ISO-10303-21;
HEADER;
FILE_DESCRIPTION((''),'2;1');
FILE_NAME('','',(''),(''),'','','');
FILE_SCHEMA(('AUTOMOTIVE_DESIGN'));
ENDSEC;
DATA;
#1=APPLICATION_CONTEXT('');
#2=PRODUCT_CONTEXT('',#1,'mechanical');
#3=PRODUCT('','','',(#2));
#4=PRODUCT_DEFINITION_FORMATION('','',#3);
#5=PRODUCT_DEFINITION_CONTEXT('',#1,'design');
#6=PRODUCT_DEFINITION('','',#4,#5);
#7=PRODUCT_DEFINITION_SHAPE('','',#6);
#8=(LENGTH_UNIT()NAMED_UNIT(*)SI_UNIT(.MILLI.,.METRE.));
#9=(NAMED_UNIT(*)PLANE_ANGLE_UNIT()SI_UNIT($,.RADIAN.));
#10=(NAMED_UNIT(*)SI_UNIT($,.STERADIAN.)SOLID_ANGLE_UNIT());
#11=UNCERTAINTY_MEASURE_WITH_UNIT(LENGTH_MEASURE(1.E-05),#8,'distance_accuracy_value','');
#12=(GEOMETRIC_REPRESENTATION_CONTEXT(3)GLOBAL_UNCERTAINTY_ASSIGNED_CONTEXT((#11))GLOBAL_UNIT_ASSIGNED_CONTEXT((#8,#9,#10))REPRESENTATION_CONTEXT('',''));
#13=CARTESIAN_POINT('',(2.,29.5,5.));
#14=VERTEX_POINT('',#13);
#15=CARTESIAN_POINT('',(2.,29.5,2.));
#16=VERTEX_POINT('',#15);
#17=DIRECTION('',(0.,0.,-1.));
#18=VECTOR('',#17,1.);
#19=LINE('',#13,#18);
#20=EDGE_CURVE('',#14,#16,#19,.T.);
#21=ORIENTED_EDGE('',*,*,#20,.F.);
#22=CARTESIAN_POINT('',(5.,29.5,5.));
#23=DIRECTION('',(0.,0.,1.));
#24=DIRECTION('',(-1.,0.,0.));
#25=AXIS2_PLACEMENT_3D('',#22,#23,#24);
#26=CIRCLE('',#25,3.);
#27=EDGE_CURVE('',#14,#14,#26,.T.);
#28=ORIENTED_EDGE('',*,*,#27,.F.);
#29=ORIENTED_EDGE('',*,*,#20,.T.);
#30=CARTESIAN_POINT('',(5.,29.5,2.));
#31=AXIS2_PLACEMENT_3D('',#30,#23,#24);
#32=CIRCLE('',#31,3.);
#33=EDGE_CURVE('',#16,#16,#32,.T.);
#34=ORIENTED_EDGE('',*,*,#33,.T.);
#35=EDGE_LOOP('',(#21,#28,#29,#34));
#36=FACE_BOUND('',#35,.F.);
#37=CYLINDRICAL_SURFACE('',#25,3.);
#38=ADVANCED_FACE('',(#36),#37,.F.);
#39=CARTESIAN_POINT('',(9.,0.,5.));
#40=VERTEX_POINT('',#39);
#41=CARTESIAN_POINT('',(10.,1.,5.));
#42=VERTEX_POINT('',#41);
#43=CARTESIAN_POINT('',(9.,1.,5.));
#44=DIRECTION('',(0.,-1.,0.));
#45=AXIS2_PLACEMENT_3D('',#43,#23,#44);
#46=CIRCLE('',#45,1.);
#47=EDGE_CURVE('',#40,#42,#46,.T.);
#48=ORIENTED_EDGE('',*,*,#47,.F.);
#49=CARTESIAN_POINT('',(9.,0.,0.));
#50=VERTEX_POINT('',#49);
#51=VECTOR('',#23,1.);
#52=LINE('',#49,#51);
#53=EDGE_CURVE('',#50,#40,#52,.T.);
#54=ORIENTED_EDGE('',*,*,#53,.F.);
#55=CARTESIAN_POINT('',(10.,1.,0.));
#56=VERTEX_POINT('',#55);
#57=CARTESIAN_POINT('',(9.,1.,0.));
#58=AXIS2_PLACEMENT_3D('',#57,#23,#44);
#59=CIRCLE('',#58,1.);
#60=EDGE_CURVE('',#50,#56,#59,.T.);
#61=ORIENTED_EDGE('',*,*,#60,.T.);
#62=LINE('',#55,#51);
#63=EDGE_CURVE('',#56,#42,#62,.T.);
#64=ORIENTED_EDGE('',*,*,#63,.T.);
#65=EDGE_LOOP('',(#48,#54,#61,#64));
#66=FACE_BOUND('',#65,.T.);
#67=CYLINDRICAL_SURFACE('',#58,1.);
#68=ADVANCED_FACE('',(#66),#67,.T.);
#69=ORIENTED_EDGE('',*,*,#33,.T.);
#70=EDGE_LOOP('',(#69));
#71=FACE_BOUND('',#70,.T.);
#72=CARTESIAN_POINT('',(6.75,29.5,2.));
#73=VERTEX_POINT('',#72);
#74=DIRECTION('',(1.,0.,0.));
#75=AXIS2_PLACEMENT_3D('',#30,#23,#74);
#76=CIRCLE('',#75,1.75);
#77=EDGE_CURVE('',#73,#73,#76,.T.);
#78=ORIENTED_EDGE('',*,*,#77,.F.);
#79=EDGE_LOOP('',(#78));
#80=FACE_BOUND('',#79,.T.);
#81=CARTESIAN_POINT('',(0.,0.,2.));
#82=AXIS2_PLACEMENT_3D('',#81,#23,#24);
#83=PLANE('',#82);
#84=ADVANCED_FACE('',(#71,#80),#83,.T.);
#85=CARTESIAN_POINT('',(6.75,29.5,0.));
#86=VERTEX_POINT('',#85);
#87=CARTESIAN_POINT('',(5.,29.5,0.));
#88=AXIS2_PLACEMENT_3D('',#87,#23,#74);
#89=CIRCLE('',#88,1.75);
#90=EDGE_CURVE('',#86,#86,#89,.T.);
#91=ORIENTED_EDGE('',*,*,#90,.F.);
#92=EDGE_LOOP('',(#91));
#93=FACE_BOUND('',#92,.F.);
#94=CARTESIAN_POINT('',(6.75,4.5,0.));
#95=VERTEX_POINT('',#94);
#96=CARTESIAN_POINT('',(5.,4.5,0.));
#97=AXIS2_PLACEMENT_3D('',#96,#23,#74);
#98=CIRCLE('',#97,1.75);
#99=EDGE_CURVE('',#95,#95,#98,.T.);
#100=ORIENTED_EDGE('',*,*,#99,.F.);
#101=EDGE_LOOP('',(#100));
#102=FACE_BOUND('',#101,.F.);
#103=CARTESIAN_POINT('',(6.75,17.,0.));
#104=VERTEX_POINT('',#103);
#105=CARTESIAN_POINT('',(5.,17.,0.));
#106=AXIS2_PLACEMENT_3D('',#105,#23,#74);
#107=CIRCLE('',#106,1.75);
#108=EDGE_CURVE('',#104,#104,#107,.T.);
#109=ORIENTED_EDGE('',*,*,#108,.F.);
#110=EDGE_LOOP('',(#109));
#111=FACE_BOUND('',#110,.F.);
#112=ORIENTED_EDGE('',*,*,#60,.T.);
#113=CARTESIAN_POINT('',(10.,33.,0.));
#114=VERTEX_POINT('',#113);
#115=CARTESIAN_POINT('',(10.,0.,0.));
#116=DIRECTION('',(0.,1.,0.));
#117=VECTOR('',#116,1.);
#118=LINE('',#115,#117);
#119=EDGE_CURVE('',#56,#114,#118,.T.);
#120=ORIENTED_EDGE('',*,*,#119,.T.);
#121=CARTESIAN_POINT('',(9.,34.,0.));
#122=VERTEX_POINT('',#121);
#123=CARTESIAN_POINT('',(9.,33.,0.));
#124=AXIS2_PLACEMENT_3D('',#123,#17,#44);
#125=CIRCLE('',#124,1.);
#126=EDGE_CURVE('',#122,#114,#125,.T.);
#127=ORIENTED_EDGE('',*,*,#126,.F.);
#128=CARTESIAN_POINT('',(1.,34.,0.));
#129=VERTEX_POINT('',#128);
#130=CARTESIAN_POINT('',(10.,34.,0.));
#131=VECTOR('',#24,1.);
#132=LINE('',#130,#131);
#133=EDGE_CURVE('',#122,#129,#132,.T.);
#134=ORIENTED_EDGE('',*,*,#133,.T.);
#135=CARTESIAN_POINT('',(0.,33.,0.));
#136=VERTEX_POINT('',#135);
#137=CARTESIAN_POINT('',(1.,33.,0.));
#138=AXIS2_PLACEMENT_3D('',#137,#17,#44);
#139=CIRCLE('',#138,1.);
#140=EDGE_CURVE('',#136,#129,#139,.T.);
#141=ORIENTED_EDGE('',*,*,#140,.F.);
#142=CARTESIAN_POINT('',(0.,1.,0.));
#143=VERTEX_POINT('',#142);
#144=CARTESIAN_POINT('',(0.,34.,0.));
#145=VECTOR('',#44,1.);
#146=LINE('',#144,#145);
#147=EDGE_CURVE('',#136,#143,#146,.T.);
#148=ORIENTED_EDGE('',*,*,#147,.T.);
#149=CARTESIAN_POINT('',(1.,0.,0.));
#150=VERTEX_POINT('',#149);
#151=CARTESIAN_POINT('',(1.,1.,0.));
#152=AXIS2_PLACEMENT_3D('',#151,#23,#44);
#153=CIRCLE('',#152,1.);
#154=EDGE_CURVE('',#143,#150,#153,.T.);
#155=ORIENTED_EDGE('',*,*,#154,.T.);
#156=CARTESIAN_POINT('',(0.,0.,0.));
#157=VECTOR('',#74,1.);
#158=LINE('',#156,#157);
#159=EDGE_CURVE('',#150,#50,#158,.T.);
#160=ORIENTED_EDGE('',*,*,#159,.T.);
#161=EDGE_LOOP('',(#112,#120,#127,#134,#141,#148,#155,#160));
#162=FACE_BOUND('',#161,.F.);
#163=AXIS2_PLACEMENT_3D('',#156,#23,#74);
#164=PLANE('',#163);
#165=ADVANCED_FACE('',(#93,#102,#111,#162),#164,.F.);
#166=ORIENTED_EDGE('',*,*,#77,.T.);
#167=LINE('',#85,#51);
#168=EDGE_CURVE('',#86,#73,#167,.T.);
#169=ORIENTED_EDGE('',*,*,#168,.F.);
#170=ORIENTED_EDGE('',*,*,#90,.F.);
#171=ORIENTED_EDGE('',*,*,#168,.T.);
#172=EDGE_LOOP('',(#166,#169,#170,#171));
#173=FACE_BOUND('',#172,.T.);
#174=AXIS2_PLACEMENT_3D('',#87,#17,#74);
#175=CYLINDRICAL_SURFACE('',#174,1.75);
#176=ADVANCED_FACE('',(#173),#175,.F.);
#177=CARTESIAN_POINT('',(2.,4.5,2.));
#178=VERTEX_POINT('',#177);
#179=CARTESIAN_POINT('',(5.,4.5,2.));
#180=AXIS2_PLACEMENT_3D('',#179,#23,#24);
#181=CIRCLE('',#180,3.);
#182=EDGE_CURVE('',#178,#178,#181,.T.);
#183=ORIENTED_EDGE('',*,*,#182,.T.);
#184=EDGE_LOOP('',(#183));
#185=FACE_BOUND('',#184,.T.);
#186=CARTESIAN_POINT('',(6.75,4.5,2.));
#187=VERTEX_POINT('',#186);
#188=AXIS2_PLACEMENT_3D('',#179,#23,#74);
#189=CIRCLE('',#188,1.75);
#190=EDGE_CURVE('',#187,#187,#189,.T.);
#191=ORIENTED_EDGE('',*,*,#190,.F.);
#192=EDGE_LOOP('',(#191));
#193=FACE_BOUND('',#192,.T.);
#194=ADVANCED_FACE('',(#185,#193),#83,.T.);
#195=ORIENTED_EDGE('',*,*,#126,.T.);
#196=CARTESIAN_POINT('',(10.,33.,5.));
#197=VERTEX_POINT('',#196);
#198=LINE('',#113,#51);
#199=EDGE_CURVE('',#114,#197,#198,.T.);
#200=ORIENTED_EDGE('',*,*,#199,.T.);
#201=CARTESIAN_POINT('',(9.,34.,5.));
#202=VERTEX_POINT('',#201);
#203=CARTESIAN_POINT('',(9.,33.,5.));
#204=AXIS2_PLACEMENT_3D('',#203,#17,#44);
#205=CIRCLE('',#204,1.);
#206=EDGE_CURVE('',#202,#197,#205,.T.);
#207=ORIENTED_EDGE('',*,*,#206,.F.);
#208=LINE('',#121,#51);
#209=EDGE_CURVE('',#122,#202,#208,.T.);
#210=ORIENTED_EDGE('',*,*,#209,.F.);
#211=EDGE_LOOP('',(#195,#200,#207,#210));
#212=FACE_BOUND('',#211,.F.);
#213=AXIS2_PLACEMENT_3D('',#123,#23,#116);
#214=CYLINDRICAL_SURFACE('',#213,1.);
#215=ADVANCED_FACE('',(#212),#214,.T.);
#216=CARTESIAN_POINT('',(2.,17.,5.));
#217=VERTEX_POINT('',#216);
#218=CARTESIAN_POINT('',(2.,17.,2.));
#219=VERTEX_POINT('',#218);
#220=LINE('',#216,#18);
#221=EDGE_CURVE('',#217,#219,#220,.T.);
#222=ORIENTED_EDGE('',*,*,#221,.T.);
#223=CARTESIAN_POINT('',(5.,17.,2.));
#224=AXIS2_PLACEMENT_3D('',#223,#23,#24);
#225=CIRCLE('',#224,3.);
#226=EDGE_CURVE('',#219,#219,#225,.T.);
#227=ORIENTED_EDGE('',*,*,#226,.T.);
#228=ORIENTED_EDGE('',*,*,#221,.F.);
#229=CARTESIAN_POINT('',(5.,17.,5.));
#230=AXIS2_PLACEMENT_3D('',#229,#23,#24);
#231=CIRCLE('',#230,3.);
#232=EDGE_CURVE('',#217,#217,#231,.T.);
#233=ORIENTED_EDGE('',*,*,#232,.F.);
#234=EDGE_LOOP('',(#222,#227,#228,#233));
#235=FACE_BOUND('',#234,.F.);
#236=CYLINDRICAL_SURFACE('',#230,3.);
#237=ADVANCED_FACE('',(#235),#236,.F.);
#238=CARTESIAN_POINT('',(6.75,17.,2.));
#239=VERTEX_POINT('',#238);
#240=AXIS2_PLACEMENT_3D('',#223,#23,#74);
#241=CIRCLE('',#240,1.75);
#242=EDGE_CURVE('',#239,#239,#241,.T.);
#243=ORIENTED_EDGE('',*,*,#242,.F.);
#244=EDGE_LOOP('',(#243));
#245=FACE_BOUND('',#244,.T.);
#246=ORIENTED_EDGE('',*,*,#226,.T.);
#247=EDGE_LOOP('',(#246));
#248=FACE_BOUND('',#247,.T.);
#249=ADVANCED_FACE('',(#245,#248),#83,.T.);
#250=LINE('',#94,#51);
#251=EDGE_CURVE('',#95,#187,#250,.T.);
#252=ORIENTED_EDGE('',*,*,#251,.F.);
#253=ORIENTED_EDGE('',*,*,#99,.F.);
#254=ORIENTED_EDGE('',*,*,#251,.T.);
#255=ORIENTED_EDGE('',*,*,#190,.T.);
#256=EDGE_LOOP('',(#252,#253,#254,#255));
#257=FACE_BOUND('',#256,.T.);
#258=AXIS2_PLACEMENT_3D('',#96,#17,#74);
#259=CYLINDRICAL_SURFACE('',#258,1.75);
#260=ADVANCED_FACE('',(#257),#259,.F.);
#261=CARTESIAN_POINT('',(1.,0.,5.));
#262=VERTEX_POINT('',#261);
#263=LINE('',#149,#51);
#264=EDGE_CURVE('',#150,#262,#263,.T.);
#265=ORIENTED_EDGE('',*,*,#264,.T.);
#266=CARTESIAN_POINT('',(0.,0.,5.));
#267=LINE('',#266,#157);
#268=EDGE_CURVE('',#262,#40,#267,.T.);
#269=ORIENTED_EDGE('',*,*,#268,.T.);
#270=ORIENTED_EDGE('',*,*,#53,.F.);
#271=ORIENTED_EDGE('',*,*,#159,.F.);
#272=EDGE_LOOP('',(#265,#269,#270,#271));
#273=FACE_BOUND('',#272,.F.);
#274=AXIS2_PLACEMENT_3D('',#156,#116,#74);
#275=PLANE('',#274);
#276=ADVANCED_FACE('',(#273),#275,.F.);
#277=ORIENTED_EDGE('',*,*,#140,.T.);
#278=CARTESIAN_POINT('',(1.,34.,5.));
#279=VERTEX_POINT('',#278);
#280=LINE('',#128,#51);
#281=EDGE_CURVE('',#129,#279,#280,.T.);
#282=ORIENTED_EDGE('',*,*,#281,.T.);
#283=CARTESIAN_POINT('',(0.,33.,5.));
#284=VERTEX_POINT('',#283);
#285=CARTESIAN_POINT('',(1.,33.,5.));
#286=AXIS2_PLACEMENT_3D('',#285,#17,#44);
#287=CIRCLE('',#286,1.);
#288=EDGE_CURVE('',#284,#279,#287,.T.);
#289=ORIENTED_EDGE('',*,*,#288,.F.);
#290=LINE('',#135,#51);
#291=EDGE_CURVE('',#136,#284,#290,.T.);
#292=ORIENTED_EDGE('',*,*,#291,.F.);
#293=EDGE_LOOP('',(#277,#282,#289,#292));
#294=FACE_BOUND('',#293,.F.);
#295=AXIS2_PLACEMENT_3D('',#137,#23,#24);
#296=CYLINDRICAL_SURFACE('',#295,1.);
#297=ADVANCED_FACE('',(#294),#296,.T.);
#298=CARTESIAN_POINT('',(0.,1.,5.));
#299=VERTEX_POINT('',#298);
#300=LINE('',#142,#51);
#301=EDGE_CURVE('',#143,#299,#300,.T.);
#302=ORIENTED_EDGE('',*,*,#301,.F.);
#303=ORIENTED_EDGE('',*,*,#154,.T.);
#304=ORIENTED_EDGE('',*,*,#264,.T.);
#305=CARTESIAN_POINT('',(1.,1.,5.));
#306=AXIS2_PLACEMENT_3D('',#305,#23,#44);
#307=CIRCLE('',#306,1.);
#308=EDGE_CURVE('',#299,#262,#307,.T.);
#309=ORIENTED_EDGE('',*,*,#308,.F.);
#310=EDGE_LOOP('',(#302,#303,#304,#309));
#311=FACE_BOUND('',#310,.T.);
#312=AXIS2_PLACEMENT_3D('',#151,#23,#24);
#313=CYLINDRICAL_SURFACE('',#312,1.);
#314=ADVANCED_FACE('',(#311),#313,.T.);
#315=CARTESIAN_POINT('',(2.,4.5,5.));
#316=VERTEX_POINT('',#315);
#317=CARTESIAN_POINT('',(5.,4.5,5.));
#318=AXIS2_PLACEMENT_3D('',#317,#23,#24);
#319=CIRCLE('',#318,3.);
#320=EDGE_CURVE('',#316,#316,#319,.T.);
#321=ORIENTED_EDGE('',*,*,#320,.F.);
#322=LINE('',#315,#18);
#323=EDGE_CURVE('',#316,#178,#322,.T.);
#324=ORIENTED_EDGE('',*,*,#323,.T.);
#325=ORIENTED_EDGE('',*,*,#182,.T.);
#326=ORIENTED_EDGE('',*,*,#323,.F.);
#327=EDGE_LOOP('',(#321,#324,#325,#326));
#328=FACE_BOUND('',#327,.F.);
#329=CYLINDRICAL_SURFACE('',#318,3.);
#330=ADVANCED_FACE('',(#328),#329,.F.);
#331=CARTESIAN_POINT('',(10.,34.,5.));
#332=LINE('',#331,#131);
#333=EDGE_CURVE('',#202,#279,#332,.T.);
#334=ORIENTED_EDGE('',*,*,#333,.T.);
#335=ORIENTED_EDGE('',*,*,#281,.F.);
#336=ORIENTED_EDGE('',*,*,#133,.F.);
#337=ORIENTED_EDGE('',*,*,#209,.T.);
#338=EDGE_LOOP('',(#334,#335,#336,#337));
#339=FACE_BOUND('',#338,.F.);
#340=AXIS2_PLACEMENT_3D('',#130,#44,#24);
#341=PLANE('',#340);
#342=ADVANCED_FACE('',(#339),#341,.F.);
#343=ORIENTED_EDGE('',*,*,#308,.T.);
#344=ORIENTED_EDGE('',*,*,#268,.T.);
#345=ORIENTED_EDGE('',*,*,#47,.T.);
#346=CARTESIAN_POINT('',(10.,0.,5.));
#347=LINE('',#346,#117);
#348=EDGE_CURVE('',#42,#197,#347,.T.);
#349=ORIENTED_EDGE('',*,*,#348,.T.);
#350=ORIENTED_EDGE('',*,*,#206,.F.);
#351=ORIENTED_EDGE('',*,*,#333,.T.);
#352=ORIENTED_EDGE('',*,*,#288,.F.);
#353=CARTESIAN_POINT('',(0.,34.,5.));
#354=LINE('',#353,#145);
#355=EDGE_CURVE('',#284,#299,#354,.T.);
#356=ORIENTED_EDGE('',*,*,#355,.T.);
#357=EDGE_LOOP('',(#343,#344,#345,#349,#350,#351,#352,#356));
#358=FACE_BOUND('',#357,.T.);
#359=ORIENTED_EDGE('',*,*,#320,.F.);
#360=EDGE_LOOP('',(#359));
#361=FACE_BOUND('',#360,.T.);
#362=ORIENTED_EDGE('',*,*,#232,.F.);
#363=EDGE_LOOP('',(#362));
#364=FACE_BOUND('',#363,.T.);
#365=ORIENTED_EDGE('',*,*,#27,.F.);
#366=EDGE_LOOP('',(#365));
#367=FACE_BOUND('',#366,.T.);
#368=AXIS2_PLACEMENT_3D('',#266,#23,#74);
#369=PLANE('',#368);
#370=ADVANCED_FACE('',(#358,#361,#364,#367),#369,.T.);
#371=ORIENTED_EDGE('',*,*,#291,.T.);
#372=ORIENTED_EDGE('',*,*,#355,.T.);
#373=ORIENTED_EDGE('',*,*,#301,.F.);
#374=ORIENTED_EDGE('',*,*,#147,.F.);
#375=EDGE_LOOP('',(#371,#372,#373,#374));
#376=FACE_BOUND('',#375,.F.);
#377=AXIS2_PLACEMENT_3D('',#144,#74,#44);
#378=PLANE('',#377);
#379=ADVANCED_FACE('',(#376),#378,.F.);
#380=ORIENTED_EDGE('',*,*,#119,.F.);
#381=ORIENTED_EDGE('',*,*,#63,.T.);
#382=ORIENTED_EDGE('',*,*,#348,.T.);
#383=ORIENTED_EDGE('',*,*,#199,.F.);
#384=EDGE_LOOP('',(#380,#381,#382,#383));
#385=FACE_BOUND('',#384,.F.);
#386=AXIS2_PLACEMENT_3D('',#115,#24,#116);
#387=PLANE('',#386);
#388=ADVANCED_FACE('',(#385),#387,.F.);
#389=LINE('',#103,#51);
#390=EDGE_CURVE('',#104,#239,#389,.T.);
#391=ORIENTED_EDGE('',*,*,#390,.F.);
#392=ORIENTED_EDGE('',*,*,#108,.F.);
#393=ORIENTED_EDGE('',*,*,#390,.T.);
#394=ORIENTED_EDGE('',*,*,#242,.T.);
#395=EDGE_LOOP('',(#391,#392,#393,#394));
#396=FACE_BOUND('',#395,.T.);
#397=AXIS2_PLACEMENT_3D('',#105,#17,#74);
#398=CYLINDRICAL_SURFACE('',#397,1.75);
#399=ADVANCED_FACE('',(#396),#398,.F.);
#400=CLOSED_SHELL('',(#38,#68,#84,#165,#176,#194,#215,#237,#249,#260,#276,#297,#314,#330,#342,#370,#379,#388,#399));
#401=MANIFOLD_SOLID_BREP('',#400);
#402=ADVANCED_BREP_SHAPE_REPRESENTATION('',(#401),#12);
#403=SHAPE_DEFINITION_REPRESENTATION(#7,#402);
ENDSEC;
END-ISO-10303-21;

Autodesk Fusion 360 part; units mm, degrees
sketch "スケッチ1" plane through (0, 0, 0) normal (0, 0, 1) x (1, 0, 0)
  line L0 (0, 0) -> (10, 0)
  line L1 (10, 0) -> (10, 34)
  line L2 (10, 34) -> (0, 34)
  line L3 (0, 34) -> (0, 0)
  line L4 (5, 34) -> (5, 0) construction
  line L5 (0, 17) -> (10, 17) construction
  circle A0 centre (5, 17) radius 1.75
  circle A1 centre (5, 29.5) radius 1.75
  circle A2 centre (5, 4.5) radius 1.75
  dimension "d1" = 34
  dimension "d2" = 10
  dimension "d3" = 3.5
  dimension "d4" = 3.5
  dimension "d5" = 3.5
  dimension "d6" = 12.5
  dimension "d7" = 12.5
extrude "押し出し1" add sketch "スケッチ1" along normal blind 5
sketch "スケッチ2" plane through (0, 0, 5) normal (0, 0, 1) x (-1, 0, 0)
  circle A0 centre (-5, -4.5) radius 1.75
  circle A1 centre (-5, -29.5) radius 1.75
  circle A2 centre (-5, -17) radius 1.75
  line L0 (0, -34) -> (0, 0)
  line L1 (0, 0) -> (-10, 0)
  line L2 (-10, 0) -> (-10, -34)
  line L3 (-10, -34) -> (0, -34)
  circle A3 centre (-5, -29.5) radius 3
  circle A4 centre (-5, -17) radius 3
  circle A5 centre (-5, -4.5) radius 3
  dimension "d10" = 6
  dimension "d11" = 6
  dimension "d12" = 6
extrude "押し出し2" cut sketch "スケッチ2" against normal blind 3 contours A3 | A4 | A5
fillet "フィレット1" radius 1 4 edges at (0, 0, 2.5) (10, 0, 2.5) (10, 34, 2.5) (0, 34, 2.5)
